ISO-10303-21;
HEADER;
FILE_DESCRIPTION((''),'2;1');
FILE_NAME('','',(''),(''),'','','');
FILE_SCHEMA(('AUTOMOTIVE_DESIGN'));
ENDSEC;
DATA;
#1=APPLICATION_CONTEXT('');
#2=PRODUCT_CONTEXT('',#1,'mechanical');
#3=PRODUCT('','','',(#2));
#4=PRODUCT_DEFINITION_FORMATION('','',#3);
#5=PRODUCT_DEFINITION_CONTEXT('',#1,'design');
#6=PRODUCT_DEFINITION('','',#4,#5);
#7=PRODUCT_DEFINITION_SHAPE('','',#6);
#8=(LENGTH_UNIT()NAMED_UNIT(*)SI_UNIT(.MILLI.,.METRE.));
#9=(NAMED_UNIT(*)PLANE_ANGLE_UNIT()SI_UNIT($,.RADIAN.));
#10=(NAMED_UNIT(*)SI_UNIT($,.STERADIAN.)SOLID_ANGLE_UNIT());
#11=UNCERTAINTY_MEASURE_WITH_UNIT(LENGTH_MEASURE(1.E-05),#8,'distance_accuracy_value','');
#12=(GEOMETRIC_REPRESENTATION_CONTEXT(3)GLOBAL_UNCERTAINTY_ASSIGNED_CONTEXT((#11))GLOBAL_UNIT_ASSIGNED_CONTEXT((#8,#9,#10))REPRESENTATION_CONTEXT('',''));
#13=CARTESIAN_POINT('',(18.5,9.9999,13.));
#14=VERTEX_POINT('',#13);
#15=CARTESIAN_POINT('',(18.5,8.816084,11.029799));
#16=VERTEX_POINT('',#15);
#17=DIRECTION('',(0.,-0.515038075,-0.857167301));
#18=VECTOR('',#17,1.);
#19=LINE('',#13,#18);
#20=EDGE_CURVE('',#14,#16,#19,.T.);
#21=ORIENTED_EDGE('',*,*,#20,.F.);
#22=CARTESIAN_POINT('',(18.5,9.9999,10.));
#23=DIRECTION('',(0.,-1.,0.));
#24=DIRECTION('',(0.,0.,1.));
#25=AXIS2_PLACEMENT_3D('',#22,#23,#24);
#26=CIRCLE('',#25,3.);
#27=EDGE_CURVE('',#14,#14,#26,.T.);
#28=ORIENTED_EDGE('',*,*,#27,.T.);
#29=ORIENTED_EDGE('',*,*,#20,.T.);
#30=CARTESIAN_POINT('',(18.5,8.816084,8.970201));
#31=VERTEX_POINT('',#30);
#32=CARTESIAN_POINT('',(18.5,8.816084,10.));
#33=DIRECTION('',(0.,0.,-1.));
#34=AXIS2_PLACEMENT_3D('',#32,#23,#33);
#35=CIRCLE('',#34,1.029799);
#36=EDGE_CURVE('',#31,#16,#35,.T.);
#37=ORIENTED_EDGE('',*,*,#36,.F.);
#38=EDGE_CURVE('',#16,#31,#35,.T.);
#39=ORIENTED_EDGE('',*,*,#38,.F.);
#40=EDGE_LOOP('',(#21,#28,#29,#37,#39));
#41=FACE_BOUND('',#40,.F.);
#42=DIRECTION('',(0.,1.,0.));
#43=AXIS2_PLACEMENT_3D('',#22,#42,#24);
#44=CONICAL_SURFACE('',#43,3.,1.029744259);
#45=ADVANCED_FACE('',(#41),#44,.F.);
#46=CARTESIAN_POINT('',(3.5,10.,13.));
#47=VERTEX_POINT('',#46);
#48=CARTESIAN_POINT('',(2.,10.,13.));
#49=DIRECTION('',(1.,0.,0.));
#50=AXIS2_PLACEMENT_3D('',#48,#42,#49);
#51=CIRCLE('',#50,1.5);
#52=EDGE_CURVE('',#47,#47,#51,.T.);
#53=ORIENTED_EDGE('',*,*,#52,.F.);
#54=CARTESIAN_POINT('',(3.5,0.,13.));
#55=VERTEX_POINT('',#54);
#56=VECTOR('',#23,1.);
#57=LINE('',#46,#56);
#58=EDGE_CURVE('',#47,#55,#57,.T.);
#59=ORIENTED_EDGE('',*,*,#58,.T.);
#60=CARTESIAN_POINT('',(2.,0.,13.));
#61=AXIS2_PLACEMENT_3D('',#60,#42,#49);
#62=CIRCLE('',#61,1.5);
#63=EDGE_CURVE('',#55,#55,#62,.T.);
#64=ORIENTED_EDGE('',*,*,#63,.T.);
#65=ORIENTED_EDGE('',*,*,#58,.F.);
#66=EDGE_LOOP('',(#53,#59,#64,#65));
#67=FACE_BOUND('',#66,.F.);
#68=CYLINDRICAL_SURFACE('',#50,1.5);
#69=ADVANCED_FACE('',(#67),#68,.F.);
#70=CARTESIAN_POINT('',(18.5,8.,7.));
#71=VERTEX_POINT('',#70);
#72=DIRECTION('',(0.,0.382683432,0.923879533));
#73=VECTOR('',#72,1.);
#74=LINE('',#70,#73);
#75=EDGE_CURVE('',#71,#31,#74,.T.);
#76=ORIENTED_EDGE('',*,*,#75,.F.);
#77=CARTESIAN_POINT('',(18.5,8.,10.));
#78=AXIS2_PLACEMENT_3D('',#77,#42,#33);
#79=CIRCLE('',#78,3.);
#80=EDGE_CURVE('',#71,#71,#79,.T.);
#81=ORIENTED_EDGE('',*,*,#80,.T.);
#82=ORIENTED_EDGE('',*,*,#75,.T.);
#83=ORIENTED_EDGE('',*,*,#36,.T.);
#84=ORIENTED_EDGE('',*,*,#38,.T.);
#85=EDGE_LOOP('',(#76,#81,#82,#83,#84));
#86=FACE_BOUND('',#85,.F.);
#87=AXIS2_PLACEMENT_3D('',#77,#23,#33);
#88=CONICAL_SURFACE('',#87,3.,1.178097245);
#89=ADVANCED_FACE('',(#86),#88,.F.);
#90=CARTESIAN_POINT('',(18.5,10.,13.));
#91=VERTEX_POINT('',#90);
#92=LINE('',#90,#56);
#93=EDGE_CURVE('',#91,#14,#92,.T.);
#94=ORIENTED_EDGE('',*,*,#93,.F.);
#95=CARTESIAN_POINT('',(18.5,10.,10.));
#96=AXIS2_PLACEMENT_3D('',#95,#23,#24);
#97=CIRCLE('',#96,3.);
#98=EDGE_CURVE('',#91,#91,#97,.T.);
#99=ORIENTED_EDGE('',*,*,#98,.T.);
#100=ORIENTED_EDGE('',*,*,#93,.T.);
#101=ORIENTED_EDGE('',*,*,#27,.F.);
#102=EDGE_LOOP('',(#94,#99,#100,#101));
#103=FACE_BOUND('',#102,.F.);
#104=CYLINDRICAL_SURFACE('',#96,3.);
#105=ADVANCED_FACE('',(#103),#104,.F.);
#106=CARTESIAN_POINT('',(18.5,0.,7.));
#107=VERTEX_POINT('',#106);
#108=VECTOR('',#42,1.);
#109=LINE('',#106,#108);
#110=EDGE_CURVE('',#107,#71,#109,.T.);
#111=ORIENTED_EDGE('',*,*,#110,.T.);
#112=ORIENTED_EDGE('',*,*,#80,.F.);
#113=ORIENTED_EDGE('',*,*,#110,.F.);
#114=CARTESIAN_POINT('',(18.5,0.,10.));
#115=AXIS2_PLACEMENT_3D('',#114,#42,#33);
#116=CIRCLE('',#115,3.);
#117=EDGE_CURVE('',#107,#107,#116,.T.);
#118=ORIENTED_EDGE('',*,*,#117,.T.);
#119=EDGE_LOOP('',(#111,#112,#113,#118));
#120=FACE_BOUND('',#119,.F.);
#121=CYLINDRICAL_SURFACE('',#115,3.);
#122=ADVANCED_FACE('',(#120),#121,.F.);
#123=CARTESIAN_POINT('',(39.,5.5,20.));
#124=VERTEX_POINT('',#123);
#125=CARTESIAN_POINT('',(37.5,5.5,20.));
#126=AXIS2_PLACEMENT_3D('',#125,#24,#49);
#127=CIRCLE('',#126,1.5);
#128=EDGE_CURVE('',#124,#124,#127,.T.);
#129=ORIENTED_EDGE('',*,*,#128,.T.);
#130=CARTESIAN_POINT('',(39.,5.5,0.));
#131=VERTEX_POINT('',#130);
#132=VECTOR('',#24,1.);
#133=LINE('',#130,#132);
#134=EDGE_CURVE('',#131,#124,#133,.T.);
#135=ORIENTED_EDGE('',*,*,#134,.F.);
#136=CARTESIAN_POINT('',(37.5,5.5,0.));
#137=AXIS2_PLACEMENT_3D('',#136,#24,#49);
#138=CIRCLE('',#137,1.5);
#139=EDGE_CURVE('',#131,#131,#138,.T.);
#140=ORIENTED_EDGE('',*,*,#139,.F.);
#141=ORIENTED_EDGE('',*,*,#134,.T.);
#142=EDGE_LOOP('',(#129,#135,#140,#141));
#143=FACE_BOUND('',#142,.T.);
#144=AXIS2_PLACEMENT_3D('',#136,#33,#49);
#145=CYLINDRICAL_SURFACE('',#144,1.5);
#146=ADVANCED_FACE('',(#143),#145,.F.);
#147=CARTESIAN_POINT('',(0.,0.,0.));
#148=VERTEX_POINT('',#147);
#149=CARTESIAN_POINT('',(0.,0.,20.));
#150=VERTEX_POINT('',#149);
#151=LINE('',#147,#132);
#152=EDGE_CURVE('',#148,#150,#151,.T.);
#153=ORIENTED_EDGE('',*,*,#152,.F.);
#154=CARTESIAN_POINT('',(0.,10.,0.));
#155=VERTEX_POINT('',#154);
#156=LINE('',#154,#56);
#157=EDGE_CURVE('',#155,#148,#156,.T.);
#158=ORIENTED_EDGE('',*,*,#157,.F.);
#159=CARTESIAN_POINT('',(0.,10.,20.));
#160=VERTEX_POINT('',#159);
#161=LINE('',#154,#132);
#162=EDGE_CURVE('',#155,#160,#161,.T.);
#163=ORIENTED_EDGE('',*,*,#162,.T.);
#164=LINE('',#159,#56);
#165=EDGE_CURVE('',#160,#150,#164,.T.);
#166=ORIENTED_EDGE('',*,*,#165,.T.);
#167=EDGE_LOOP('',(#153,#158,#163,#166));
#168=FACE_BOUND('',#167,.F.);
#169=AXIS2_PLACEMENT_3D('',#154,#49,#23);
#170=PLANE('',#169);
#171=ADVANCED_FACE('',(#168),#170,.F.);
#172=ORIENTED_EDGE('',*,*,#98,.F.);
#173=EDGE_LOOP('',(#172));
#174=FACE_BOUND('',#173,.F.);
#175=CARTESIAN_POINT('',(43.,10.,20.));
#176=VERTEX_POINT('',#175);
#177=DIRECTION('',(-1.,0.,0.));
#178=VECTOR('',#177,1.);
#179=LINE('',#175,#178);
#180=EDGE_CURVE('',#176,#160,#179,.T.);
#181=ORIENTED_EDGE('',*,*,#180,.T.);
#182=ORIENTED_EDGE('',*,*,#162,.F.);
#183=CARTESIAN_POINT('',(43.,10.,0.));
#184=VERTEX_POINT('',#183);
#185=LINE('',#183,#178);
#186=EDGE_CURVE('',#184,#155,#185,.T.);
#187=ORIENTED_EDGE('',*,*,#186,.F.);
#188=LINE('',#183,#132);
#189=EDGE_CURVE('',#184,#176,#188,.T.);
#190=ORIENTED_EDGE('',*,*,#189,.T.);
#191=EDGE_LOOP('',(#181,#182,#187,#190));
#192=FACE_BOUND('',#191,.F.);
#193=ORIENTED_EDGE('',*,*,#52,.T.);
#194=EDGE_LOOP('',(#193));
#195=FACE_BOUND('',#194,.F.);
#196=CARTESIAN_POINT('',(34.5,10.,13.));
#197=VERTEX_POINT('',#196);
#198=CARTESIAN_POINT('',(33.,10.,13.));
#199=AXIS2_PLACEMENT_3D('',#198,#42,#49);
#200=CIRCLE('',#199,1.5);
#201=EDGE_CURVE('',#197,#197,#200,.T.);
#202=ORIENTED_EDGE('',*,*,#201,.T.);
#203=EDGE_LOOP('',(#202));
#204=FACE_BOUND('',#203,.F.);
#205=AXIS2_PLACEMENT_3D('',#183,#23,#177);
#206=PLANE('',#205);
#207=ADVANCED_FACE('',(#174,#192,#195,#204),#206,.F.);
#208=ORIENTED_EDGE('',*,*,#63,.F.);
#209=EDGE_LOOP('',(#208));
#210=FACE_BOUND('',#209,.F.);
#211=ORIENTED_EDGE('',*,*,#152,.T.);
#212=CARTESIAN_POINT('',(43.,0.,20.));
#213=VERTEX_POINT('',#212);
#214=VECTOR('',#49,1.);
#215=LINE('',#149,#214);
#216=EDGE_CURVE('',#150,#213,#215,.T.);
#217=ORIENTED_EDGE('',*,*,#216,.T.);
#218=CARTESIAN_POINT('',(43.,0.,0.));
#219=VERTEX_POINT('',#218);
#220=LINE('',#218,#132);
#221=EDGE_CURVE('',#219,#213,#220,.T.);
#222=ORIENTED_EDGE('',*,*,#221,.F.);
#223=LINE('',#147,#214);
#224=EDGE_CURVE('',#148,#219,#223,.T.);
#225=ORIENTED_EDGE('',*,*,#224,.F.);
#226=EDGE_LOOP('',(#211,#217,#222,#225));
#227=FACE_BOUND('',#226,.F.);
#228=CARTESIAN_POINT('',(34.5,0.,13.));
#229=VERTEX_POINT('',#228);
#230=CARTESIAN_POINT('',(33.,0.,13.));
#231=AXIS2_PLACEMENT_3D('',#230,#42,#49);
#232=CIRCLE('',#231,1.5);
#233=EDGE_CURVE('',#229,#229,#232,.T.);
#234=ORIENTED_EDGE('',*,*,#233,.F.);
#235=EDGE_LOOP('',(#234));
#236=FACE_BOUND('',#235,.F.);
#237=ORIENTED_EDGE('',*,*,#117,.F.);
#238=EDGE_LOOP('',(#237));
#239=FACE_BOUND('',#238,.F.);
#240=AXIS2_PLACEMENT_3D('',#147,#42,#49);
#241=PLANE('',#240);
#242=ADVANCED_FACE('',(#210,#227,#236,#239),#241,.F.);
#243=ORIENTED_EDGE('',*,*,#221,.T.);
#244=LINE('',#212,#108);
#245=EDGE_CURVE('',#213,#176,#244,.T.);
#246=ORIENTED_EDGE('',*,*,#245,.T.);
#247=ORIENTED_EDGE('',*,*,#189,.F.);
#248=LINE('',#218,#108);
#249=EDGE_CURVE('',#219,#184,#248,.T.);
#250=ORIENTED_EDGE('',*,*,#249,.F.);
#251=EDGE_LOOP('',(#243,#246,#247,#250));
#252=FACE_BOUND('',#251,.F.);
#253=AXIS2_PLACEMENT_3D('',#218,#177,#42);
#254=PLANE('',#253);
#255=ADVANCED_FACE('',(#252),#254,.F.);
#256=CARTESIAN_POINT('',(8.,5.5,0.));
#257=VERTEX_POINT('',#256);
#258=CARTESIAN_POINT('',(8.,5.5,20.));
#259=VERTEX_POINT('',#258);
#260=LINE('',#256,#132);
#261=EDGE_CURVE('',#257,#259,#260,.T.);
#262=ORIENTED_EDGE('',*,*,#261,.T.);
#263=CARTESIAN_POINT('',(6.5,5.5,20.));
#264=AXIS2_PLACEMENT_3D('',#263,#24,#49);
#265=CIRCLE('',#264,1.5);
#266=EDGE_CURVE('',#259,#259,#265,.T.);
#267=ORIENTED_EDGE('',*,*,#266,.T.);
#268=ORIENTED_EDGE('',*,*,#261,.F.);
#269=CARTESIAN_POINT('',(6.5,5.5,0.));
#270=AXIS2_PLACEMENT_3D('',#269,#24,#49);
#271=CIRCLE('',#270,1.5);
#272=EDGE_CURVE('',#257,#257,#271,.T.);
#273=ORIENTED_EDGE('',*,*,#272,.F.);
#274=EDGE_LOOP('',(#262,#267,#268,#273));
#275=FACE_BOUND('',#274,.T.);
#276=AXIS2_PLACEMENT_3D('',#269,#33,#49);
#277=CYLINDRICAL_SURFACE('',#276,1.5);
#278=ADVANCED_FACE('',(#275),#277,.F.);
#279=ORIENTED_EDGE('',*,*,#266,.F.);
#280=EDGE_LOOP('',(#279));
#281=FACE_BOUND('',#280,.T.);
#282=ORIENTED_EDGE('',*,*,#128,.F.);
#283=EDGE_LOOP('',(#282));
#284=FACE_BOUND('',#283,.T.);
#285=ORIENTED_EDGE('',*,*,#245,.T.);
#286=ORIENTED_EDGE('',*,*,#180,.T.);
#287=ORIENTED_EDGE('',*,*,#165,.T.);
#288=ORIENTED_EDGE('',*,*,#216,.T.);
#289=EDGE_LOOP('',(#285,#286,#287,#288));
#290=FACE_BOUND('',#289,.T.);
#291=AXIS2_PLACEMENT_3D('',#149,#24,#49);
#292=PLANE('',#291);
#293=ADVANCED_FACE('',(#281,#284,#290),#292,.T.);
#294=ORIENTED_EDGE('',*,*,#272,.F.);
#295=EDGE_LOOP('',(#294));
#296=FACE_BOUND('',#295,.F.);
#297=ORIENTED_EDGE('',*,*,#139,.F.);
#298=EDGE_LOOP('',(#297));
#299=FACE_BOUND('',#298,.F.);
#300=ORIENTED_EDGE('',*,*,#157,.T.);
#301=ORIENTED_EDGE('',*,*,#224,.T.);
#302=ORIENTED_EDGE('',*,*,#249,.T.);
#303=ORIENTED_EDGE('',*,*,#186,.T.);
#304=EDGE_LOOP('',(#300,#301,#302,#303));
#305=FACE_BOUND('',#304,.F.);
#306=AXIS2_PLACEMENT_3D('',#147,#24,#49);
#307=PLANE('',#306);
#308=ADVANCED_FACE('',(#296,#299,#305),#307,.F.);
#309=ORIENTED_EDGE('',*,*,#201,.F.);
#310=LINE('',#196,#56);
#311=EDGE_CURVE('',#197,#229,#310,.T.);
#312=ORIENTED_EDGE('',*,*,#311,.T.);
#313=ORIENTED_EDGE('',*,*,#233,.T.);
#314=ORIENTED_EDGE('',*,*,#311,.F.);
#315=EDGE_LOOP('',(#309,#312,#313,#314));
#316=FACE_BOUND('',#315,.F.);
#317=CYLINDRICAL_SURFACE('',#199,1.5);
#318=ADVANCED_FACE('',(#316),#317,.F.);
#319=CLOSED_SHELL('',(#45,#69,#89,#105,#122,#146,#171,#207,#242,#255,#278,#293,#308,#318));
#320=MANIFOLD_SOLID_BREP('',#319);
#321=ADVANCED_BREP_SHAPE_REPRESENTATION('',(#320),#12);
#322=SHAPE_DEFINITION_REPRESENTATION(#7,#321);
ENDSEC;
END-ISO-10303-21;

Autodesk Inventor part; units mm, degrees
ref_plane "YZ Plane" through (0, 0, 0) normal (1, 0, 0) x (0, 1, 0)
ref_plane "XZ Plane" through (0, 0, 0) normal (0, 1, 0) x (-1, 0, 0)
ref_plane "XY Plane" through (0, 0, 0) normal (0, 0, 1) x (1, 0, 0)
sketch "Sketch1" plane through (0, 0, 0) normal (0, 0, 1) x (1, 0, 0)
  line L0 (0, 0) -> (43, 0)
  line L1 (43, 0) -> (43, 10)
  line L2 (43, 10) -> (0, 10)
  line L3 (0, 10) -> (0, 0)
  circle A0 centre (6.5, 5.5) radius 1.5
  circle A1 centre (37.5, 5.5) radius 1.5
  dimension "d0" = 43
  dimension "d1" = 10
  dimension "d2" = 3
  dimension "d3" = 3
  dimension "d4" = 6.5
  dimension "d5" = 31
  dimension "d6" = 4.5
extrude "Extrusion1" add sketch "Sketch1" along normal blind 20
sketch "Sketch2" plane through (0, 10, 0) normal (0, 1, 0) x (1, 0, 0)
  line L0 (0, 0) -> (0, -20) projected
  line L1 (43, -20) -> (0, -20) projected
  circle A0 centre (2, -13) radius 1.5
  circle A1 centre (33, -13) radius 1.5
  dimension "d9" = 7
  dimension "d10" = 2
  dimension "d11" = 3
  dimension "d12" = 3
  dimension "d13" = 31
extrude "Extrusion2" cut sketch "Sketch2" against normal blind 20
sketch "Sketch3" plane through (0, 10, 0) normal (0, 1, 0) x (1, 0, 0)
  line L0 (0, 0) -> (0, -20) projected
  line L1 (43, -20) -> (0, -20) projected
  circle A0 centre (18.5, -10) radius 3
  dimension "d16" = 6
  dimension "d18" = 10
  dimension "d19" = 18.5
hole "Hole1" at (18.5, 10, 10) direction (0, -1, 0) diameter 6 depth 0.0001 tip angle 118
sketch "Sketch4" plane through (0, 0, 0) normal (0, -1, 0) x (1, 0, 0)
  line L0 (0, 20) -> (43, 20) projected
  line L1 (0, 0) -> (0, 20) projected
  circle A0 centre (18.5, 10) radius 2.2122
  dimension "d27" = 10
  dimension "d28" = 18.5
hole "Hole2" at (18.5, 0, 10) direction (0, 1, 0) diameter 6 depth 8 tip angle 135
thread "Thread1" size "M6x1" class "6H" standard "ANSI Metric M Profile" full length
properties part number "heAluBase"
